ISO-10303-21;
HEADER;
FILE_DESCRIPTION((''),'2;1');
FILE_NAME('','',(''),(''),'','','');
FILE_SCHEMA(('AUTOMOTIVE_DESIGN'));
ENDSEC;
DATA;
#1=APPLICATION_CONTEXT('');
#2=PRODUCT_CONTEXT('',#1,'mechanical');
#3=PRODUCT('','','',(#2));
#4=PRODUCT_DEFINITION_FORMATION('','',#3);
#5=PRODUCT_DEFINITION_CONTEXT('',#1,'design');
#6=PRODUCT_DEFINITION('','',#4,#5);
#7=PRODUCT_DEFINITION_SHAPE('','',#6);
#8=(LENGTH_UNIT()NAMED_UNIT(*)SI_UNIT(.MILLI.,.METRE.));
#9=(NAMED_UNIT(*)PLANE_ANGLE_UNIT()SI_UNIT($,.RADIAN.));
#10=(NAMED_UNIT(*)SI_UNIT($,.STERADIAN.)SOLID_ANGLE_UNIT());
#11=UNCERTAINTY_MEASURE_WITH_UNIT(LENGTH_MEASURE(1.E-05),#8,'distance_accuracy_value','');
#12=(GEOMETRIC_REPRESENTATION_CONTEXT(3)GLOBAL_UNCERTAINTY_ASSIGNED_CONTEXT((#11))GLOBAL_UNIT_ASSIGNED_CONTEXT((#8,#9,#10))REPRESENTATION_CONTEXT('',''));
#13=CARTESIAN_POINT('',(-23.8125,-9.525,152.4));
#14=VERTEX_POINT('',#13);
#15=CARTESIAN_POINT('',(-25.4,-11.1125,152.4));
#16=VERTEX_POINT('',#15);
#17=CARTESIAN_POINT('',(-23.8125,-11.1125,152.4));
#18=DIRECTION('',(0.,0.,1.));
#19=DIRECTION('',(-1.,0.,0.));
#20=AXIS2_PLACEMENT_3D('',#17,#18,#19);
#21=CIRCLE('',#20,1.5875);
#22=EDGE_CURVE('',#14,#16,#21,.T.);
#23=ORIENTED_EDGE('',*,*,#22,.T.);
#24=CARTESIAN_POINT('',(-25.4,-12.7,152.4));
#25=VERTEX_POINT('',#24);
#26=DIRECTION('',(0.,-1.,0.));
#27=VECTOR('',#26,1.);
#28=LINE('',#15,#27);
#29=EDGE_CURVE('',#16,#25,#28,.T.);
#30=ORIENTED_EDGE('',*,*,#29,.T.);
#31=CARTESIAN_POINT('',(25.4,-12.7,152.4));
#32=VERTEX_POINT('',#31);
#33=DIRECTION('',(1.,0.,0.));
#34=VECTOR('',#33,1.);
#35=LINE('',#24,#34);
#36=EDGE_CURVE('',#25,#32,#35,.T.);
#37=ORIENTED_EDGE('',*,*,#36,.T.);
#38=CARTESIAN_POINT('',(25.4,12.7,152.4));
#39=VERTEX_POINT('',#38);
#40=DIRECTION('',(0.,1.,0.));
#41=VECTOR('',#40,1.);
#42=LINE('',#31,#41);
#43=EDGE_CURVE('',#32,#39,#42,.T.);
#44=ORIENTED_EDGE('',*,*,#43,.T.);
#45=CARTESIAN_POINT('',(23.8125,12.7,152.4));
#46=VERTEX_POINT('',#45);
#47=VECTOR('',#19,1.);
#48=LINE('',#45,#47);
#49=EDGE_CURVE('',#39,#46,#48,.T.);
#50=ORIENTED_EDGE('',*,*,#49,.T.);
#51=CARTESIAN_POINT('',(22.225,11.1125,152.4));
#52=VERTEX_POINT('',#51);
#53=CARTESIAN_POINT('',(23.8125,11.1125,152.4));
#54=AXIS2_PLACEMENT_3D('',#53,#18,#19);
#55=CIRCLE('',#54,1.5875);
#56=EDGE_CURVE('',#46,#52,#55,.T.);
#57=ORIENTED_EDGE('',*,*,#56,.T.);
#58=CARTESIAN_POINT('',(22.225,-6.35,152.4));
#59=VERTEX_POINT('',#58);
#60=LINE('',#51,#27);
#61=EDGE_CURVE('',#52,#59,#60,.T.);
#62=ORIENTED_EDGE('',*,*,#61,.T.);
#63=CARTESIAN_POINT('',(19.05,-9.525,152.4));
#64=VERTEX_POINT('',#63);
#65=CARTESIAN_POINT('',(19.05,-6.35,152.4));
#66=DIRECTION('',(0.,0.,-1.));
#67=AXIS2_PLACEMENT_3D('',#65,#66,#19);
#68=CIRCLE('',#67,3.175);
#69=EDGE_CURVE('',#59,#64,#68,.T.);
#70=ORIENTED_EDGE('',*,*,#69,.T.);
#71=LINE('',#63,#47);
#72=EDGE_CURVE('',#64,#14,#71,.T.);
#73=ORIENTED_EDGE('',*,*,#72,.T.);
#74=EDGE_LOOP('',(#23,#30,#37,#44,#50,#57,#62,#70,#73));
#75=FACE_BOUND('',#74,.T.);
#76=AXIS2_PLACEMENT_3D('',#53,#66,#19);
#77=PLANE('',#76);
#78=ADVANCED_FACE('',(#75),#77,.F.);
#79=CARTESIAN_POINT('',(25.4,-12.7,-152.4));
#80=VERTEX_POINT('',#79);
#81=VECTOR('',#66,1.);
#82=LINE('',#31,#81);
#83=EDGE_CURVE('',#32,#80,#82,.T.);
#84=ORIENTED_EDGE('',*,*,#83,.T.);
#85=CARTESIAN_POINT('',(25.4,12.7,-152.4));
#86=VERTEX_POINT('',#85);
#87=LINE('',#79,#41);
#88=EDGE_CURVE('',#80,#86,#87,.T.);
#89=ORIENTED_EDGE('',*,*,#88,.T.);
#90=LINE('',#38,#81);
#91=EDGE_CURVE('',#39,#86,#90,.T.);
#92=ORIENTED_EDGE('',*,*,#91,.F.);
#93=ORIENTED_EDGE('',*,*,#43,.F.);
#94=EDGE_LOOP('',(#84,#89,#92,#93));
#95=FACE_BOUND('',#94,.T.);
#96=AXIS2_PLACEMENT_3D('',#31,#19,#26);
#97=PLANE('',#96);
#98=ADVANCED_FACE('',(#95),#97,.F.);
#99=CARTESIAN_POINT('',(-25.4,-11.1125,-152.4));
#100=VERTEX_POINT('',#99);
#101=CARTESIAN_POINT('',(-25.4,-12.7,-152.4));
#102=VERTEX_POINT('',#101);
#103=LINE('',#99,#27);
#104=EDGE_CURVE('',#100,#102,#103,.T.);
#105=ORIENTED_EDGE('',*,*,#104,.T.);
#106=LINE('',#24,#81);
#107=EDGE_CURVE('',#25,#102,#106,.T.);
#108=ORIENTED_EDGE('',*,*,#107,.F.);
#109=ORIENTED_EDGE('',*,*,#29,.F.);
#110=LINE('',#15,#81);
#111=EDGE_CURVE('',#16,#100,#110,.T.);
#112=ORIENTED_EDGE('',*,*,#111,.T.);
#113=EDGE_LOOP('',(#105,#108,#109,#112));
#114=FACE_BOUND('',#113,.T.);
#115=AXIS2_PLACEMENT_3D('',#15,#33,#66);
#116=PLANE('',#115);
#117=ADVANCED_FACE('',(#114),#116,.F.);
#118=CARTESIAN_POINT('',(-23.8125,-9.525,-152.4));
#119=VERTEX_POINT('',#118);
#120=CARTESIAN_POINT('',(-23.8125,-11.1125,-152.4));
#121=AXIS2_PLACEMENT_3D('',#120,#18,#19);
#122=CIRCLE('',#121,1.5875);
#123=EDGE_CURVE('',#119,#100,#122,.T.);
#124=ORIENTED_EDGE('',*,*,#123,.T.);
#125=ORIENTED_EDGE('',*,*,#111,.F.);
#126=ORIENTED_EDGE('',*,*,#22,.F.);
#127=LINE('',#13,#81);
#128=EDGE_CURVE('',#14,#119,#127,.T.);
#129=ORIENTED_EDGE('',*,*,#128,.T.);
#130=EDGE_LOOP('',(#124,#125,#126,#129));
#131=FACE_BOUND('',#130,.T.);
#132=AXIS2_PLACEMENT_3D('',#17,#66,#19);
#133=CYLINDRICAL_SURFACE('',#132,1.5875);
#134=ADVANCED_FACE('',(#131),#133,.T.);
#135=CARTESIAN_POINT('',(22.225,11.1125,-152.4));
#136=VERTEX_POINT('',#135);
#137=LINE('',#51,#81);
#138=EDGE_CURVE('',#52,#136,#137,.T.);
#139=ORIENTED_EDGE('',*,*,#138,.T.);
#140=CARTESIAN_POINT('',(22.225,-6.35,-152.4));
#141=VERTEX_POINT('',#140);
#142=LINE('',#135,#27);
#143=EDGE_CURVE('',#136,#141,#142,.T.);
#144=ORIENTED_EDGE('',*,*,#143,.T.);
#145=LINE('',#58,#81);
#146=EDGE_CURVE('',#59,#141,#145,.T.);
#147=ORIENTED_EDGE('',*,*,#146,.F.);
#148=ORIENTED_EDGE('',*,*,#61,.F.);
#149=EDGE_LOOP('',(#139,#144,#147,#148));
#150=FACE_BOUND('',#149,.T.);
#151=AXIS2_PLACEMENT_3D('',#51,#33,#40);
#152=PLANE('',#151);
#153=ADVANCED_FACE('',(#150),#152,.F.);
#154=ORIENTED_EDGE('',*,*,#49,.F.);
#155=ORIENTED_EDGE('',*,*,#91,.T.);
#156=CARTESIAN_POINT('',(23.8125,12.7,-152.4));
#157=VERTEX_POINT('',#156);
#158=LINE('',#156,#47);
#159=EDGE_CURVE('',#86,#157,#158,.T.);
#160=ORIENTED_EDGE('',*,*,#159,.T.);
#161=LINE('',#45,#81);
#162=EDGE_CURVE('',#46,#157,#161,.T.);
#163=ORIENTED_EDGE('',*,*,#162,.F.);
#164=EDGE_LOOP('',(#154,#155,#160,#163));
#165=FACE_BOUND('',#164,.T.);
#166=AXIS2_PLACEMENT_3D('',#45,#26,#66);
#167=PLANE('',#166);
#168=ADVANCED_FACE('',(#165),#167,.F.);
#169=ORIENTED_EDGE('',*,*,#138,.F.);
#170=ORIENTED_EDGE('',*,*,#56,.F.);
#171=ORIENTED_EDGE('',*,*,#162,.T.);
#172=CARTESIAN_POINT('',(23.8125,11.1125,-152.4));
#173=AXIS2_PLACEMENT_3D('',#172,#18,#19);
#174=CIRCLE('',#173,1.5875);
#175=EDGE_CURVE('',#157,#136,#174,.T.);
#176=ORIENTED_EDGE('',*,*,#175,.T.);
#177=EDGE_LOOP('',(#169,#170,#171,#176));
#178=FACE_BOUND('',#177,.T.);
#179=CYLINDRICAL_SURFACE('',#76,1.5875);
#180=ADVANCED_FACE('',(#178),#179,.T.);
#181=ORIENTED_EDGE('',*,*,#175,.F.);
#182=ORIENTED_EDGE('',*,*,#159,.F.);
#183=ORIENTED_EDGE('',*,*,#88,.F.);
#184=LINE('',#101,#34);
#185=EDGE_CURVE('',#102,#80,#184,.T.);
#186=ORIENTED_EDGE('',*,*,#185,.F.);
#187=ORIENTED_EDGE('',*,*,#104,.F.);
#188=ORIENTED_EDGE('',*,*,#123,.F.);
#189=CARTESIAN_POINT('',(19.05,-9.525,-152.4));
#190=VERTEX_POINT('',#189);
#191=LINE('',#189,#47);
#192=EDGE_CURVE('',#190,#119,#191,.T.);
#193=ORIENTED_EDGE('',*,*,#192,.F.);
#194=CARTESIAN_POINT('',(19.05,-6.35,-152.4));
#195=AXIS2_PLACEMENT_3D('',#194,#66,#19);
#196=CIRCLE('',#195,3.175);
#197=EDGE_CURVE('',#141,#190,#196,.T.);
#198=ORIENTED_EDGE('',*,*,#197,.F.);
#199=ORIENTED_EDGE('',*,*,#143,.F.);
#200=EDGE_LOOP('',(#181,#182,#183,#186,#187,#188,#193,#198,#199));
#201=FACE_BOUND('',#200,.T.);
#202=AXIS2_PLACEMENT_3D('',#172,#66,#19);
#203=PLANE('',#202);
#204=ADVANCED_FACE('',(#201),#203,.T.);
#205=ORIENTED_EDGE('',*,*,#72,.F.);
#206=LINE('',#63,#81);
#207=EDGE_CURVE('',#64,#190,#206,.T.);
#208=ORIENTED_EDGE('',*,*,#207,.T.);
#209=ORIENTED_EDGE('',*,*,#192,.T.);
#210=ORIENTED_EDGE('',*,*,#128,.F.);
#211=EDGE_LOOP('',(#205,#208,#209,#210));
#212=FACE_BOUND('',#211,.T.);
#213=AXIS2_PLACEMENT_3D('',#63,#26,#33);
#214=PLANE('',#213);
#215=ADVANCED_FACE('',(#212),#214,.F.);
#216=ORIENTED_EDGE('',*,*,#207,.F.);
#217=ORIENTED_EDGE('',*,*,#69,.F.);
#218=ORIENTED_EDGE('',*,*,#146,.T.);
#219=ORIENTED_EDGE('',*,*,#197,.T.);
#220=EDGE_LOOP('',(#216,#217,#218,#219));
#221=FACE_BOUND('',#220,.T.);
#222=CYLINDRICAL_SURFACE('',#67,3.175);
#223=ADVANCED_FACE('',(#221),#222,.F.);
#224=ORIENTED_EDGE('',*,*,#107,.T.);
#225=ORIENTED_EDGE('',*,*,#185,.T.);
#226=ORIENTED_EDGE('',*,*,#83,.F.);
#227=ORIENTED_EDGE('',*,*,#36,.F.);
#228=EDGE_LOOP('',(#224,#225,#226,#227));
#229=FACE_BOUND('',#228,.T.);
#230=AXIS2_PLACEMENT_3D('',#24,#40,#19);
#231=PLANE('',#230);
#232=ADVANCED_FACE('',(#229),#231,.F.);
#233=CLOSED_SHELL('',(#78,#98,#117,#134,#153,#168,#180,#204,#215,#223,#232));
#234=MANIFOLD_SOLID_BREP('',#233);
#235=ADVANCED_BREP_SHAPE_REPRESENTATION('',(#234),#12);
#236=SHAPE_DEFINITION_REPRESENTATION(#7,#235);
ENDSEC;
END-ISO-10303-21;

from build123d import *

# Parameters (mm, degrees)
BOSS_EXTRUDE1_DEPTH = 152.4


with BuildPart() as part:
    # Sketch2 → Boss-Extrude1 (new, symmetric)
    with BuildSketch(Plane.XY):
        with BuildLine():
            Line((-25.4, -12.7), (25.4, -12.7))
            Line((25.4, -12.7), (25.4, 12.7))
            Line((25.4, 12.7), (23.8125, 12.7))
            ThreePointArc((23.8125, 12.7), (22.689967985, 12.235032015), (22.225, 11.1125))
            Line((22.225, 11.1125), (22.225, -6.35))
            ThreePointArc((22.225, -6.35), (21.29506403, -8.59506403), (19.05, -9.525))
            Line((19.05, -9.525), (-23.8125, -9.525))
            ThreePointArc((-23.8125, -9.525), (-24.935032015, -9.989967985), (-25.4, -11.1125))
            Line((-25.4, -11.1125), (-25.4, -12.7))
        make_face()
    extrude(amount=BOSS_EXTRUDE1_DEPTH, both=True)


solid = part.part
